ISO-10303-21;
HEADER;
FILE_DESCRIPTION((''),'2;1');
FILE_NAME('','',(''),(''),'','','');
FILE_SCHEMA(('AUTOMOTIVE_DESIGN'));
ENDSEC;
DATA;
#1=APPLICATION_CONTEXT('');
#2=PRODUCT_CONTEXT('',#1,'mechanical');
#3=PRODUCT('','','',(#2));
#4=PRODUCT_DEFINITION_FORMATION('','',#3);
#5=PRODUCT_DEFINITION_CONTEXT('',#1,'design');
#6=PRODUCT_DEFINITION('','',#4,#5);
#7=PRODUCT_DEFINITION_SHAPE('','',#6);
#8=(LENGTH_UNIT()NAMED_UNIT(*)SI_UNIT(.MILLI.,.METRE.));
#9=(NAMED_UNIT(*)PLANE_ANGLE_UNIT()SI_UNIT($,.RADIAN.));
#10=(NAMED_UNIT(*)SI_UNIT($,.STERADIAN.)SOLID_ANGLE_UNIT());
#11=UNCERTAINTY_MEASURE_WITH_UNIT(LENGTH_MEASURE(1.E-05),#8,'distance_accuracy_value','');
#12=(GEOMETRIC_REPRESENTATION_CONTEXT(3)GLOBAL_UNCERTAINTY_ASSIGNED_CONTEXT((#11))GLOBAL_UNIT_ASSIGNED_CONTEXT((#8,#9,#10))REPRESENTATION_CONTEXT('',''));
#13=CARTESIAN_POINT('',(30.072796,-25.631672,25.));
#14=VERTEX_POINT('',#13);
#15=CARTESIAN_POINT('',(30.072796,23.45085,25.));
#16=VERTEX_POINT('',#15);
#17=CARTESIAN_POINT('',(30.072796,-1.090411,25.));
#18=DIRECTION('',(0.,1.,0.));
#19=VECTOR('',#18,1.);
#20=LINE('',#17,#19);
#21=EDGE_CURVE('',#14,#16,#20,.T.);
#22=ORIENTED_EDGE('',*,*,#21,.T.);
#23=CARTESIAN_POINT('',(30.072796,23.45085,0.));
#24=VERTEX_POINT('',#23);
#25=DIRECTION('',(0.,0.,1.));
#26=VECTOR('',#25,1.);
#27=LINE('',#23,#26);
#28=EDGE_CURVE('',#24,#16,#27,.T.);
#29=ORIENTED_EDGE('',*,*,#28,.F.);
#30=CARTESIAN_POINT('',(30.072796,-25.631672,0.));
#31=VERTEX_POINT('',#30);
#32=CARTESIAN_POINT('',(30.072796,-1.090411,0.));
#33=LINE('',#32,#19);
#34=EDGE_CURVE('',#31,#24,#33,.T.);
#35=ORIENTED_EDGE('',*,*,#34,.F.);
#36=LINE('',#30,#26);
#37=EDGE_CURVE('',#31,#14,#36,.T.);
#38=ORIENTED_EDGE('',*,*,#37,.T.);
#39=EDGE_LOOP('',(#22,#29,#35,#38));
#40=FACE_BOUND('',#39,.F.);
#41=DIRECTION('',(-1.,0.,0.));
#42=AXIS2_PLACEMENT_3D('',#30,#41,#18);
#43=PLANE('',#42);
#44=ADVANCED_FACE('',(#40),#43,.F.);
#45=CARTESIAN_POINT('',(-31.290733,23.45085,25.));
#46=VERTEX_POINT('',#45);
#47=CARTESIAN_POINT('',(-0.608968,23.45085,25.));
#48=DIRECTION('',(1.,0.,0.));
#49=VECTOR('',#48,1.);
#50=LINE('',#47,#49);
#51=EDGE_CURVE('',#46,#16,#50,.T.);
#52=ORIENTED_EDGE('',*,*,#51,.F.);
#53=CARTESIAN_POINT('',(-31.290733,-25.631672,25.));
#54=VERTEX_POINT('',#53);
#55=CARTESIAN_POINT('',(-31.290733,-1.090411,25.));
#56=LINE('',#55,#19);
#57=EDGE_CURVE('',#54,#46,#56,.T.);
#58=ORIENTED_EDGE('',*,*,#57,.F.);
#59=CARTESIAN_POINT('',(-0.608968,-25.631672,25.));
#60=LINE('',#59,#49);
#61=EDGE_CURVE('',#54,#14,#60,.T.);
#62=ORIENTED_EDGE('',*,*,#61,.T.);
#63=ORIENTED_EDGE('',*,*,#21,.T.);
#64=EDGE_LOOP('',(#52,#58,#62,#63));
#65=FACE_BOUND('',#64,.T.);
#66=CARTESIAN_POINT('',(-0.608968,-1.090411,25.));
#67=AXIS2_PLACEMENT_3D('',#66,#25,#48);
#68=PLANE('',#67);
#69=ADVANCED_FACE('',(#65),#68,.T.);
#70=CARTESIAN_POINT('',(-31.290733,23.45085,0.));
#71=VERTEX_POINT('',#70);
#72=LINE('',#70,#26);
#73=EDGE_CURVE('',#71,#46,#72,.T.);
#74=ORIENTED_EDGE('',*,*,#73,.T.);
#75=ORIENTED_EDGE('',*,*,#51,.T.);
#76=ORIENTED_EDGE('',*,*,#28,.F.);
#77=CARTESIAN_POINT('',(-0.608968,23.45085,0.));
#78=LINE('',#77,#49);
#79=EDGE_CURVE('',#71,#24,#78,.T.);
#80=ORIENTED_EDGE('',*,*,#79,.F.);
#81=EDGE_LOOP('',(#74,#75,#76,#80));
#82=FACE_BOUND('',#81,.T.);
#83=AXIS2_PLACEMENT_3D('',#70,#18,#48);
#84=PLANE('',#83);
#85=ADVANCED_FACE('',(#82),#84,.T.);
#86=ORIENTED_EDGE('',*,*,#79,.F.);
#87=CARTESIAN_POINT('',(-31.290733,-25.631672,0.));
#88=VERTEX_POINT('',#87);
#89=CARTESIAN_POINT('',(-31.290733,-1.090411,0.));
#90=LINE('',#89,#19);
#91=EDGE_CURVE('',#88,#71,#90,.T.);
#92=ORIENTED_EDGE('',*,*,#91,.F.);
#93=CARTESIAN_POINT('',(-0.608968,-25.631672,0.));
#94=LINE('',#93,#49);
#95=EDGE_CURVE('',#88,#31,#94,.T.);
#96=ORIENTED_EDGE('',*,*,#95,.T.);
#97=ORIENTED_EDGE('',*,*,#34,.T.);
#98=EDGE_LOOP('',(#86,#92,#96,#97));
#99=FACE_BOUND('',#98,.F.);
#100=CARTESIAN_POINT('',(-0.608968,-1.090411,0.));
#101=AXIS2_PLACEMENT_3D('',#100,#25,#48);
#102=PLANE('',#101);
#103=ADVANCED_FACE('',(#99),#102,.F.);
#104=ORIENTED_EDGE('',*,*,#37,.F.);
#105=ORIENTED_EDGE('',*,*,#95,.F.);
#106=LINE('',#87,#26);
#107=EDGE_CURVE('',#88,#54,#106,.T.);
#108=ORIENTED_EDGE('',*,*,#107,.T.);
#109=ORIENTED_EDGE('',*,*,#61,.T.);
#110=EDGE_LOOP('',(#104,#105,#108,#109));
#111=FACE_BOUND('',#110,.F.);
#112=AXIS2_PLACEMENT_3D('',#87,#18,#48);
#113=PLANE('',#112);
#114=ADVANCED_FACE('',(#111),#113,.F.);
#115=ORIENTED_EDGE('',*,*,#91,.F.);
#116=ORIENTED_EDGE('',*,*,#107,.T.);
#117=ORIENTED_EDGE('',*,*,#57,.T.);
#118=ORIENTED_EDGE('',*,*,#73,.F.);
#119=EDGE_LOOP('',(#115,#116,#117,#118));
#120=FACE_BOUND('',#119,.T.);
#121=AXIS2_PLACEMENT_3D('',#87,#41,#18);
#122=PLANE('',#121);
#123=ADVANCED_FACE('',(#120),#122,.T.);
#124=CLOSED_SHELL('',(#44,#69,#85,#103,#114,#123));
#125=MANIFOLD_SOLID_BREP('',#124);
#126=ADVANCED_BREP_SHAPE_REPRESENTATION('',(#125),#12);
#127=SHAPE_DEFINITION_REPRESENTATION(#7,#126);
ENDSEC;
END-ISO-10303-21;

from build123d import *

# Parameters (mm, degrees)
F1_W     = 61.363529
F1_H     = 49.082522
F2_DEPTH = 25


with BuildPart() as f2:
    # F1 (on face) → F2 (new body)
    with BuildSketch(Plane.XY):
        with Locations((-0.608968, -1.090411)):
            Rectangle(F1_W, F1_H)
    extrude(amount=F2_DEPTH)


solid = f2.part
